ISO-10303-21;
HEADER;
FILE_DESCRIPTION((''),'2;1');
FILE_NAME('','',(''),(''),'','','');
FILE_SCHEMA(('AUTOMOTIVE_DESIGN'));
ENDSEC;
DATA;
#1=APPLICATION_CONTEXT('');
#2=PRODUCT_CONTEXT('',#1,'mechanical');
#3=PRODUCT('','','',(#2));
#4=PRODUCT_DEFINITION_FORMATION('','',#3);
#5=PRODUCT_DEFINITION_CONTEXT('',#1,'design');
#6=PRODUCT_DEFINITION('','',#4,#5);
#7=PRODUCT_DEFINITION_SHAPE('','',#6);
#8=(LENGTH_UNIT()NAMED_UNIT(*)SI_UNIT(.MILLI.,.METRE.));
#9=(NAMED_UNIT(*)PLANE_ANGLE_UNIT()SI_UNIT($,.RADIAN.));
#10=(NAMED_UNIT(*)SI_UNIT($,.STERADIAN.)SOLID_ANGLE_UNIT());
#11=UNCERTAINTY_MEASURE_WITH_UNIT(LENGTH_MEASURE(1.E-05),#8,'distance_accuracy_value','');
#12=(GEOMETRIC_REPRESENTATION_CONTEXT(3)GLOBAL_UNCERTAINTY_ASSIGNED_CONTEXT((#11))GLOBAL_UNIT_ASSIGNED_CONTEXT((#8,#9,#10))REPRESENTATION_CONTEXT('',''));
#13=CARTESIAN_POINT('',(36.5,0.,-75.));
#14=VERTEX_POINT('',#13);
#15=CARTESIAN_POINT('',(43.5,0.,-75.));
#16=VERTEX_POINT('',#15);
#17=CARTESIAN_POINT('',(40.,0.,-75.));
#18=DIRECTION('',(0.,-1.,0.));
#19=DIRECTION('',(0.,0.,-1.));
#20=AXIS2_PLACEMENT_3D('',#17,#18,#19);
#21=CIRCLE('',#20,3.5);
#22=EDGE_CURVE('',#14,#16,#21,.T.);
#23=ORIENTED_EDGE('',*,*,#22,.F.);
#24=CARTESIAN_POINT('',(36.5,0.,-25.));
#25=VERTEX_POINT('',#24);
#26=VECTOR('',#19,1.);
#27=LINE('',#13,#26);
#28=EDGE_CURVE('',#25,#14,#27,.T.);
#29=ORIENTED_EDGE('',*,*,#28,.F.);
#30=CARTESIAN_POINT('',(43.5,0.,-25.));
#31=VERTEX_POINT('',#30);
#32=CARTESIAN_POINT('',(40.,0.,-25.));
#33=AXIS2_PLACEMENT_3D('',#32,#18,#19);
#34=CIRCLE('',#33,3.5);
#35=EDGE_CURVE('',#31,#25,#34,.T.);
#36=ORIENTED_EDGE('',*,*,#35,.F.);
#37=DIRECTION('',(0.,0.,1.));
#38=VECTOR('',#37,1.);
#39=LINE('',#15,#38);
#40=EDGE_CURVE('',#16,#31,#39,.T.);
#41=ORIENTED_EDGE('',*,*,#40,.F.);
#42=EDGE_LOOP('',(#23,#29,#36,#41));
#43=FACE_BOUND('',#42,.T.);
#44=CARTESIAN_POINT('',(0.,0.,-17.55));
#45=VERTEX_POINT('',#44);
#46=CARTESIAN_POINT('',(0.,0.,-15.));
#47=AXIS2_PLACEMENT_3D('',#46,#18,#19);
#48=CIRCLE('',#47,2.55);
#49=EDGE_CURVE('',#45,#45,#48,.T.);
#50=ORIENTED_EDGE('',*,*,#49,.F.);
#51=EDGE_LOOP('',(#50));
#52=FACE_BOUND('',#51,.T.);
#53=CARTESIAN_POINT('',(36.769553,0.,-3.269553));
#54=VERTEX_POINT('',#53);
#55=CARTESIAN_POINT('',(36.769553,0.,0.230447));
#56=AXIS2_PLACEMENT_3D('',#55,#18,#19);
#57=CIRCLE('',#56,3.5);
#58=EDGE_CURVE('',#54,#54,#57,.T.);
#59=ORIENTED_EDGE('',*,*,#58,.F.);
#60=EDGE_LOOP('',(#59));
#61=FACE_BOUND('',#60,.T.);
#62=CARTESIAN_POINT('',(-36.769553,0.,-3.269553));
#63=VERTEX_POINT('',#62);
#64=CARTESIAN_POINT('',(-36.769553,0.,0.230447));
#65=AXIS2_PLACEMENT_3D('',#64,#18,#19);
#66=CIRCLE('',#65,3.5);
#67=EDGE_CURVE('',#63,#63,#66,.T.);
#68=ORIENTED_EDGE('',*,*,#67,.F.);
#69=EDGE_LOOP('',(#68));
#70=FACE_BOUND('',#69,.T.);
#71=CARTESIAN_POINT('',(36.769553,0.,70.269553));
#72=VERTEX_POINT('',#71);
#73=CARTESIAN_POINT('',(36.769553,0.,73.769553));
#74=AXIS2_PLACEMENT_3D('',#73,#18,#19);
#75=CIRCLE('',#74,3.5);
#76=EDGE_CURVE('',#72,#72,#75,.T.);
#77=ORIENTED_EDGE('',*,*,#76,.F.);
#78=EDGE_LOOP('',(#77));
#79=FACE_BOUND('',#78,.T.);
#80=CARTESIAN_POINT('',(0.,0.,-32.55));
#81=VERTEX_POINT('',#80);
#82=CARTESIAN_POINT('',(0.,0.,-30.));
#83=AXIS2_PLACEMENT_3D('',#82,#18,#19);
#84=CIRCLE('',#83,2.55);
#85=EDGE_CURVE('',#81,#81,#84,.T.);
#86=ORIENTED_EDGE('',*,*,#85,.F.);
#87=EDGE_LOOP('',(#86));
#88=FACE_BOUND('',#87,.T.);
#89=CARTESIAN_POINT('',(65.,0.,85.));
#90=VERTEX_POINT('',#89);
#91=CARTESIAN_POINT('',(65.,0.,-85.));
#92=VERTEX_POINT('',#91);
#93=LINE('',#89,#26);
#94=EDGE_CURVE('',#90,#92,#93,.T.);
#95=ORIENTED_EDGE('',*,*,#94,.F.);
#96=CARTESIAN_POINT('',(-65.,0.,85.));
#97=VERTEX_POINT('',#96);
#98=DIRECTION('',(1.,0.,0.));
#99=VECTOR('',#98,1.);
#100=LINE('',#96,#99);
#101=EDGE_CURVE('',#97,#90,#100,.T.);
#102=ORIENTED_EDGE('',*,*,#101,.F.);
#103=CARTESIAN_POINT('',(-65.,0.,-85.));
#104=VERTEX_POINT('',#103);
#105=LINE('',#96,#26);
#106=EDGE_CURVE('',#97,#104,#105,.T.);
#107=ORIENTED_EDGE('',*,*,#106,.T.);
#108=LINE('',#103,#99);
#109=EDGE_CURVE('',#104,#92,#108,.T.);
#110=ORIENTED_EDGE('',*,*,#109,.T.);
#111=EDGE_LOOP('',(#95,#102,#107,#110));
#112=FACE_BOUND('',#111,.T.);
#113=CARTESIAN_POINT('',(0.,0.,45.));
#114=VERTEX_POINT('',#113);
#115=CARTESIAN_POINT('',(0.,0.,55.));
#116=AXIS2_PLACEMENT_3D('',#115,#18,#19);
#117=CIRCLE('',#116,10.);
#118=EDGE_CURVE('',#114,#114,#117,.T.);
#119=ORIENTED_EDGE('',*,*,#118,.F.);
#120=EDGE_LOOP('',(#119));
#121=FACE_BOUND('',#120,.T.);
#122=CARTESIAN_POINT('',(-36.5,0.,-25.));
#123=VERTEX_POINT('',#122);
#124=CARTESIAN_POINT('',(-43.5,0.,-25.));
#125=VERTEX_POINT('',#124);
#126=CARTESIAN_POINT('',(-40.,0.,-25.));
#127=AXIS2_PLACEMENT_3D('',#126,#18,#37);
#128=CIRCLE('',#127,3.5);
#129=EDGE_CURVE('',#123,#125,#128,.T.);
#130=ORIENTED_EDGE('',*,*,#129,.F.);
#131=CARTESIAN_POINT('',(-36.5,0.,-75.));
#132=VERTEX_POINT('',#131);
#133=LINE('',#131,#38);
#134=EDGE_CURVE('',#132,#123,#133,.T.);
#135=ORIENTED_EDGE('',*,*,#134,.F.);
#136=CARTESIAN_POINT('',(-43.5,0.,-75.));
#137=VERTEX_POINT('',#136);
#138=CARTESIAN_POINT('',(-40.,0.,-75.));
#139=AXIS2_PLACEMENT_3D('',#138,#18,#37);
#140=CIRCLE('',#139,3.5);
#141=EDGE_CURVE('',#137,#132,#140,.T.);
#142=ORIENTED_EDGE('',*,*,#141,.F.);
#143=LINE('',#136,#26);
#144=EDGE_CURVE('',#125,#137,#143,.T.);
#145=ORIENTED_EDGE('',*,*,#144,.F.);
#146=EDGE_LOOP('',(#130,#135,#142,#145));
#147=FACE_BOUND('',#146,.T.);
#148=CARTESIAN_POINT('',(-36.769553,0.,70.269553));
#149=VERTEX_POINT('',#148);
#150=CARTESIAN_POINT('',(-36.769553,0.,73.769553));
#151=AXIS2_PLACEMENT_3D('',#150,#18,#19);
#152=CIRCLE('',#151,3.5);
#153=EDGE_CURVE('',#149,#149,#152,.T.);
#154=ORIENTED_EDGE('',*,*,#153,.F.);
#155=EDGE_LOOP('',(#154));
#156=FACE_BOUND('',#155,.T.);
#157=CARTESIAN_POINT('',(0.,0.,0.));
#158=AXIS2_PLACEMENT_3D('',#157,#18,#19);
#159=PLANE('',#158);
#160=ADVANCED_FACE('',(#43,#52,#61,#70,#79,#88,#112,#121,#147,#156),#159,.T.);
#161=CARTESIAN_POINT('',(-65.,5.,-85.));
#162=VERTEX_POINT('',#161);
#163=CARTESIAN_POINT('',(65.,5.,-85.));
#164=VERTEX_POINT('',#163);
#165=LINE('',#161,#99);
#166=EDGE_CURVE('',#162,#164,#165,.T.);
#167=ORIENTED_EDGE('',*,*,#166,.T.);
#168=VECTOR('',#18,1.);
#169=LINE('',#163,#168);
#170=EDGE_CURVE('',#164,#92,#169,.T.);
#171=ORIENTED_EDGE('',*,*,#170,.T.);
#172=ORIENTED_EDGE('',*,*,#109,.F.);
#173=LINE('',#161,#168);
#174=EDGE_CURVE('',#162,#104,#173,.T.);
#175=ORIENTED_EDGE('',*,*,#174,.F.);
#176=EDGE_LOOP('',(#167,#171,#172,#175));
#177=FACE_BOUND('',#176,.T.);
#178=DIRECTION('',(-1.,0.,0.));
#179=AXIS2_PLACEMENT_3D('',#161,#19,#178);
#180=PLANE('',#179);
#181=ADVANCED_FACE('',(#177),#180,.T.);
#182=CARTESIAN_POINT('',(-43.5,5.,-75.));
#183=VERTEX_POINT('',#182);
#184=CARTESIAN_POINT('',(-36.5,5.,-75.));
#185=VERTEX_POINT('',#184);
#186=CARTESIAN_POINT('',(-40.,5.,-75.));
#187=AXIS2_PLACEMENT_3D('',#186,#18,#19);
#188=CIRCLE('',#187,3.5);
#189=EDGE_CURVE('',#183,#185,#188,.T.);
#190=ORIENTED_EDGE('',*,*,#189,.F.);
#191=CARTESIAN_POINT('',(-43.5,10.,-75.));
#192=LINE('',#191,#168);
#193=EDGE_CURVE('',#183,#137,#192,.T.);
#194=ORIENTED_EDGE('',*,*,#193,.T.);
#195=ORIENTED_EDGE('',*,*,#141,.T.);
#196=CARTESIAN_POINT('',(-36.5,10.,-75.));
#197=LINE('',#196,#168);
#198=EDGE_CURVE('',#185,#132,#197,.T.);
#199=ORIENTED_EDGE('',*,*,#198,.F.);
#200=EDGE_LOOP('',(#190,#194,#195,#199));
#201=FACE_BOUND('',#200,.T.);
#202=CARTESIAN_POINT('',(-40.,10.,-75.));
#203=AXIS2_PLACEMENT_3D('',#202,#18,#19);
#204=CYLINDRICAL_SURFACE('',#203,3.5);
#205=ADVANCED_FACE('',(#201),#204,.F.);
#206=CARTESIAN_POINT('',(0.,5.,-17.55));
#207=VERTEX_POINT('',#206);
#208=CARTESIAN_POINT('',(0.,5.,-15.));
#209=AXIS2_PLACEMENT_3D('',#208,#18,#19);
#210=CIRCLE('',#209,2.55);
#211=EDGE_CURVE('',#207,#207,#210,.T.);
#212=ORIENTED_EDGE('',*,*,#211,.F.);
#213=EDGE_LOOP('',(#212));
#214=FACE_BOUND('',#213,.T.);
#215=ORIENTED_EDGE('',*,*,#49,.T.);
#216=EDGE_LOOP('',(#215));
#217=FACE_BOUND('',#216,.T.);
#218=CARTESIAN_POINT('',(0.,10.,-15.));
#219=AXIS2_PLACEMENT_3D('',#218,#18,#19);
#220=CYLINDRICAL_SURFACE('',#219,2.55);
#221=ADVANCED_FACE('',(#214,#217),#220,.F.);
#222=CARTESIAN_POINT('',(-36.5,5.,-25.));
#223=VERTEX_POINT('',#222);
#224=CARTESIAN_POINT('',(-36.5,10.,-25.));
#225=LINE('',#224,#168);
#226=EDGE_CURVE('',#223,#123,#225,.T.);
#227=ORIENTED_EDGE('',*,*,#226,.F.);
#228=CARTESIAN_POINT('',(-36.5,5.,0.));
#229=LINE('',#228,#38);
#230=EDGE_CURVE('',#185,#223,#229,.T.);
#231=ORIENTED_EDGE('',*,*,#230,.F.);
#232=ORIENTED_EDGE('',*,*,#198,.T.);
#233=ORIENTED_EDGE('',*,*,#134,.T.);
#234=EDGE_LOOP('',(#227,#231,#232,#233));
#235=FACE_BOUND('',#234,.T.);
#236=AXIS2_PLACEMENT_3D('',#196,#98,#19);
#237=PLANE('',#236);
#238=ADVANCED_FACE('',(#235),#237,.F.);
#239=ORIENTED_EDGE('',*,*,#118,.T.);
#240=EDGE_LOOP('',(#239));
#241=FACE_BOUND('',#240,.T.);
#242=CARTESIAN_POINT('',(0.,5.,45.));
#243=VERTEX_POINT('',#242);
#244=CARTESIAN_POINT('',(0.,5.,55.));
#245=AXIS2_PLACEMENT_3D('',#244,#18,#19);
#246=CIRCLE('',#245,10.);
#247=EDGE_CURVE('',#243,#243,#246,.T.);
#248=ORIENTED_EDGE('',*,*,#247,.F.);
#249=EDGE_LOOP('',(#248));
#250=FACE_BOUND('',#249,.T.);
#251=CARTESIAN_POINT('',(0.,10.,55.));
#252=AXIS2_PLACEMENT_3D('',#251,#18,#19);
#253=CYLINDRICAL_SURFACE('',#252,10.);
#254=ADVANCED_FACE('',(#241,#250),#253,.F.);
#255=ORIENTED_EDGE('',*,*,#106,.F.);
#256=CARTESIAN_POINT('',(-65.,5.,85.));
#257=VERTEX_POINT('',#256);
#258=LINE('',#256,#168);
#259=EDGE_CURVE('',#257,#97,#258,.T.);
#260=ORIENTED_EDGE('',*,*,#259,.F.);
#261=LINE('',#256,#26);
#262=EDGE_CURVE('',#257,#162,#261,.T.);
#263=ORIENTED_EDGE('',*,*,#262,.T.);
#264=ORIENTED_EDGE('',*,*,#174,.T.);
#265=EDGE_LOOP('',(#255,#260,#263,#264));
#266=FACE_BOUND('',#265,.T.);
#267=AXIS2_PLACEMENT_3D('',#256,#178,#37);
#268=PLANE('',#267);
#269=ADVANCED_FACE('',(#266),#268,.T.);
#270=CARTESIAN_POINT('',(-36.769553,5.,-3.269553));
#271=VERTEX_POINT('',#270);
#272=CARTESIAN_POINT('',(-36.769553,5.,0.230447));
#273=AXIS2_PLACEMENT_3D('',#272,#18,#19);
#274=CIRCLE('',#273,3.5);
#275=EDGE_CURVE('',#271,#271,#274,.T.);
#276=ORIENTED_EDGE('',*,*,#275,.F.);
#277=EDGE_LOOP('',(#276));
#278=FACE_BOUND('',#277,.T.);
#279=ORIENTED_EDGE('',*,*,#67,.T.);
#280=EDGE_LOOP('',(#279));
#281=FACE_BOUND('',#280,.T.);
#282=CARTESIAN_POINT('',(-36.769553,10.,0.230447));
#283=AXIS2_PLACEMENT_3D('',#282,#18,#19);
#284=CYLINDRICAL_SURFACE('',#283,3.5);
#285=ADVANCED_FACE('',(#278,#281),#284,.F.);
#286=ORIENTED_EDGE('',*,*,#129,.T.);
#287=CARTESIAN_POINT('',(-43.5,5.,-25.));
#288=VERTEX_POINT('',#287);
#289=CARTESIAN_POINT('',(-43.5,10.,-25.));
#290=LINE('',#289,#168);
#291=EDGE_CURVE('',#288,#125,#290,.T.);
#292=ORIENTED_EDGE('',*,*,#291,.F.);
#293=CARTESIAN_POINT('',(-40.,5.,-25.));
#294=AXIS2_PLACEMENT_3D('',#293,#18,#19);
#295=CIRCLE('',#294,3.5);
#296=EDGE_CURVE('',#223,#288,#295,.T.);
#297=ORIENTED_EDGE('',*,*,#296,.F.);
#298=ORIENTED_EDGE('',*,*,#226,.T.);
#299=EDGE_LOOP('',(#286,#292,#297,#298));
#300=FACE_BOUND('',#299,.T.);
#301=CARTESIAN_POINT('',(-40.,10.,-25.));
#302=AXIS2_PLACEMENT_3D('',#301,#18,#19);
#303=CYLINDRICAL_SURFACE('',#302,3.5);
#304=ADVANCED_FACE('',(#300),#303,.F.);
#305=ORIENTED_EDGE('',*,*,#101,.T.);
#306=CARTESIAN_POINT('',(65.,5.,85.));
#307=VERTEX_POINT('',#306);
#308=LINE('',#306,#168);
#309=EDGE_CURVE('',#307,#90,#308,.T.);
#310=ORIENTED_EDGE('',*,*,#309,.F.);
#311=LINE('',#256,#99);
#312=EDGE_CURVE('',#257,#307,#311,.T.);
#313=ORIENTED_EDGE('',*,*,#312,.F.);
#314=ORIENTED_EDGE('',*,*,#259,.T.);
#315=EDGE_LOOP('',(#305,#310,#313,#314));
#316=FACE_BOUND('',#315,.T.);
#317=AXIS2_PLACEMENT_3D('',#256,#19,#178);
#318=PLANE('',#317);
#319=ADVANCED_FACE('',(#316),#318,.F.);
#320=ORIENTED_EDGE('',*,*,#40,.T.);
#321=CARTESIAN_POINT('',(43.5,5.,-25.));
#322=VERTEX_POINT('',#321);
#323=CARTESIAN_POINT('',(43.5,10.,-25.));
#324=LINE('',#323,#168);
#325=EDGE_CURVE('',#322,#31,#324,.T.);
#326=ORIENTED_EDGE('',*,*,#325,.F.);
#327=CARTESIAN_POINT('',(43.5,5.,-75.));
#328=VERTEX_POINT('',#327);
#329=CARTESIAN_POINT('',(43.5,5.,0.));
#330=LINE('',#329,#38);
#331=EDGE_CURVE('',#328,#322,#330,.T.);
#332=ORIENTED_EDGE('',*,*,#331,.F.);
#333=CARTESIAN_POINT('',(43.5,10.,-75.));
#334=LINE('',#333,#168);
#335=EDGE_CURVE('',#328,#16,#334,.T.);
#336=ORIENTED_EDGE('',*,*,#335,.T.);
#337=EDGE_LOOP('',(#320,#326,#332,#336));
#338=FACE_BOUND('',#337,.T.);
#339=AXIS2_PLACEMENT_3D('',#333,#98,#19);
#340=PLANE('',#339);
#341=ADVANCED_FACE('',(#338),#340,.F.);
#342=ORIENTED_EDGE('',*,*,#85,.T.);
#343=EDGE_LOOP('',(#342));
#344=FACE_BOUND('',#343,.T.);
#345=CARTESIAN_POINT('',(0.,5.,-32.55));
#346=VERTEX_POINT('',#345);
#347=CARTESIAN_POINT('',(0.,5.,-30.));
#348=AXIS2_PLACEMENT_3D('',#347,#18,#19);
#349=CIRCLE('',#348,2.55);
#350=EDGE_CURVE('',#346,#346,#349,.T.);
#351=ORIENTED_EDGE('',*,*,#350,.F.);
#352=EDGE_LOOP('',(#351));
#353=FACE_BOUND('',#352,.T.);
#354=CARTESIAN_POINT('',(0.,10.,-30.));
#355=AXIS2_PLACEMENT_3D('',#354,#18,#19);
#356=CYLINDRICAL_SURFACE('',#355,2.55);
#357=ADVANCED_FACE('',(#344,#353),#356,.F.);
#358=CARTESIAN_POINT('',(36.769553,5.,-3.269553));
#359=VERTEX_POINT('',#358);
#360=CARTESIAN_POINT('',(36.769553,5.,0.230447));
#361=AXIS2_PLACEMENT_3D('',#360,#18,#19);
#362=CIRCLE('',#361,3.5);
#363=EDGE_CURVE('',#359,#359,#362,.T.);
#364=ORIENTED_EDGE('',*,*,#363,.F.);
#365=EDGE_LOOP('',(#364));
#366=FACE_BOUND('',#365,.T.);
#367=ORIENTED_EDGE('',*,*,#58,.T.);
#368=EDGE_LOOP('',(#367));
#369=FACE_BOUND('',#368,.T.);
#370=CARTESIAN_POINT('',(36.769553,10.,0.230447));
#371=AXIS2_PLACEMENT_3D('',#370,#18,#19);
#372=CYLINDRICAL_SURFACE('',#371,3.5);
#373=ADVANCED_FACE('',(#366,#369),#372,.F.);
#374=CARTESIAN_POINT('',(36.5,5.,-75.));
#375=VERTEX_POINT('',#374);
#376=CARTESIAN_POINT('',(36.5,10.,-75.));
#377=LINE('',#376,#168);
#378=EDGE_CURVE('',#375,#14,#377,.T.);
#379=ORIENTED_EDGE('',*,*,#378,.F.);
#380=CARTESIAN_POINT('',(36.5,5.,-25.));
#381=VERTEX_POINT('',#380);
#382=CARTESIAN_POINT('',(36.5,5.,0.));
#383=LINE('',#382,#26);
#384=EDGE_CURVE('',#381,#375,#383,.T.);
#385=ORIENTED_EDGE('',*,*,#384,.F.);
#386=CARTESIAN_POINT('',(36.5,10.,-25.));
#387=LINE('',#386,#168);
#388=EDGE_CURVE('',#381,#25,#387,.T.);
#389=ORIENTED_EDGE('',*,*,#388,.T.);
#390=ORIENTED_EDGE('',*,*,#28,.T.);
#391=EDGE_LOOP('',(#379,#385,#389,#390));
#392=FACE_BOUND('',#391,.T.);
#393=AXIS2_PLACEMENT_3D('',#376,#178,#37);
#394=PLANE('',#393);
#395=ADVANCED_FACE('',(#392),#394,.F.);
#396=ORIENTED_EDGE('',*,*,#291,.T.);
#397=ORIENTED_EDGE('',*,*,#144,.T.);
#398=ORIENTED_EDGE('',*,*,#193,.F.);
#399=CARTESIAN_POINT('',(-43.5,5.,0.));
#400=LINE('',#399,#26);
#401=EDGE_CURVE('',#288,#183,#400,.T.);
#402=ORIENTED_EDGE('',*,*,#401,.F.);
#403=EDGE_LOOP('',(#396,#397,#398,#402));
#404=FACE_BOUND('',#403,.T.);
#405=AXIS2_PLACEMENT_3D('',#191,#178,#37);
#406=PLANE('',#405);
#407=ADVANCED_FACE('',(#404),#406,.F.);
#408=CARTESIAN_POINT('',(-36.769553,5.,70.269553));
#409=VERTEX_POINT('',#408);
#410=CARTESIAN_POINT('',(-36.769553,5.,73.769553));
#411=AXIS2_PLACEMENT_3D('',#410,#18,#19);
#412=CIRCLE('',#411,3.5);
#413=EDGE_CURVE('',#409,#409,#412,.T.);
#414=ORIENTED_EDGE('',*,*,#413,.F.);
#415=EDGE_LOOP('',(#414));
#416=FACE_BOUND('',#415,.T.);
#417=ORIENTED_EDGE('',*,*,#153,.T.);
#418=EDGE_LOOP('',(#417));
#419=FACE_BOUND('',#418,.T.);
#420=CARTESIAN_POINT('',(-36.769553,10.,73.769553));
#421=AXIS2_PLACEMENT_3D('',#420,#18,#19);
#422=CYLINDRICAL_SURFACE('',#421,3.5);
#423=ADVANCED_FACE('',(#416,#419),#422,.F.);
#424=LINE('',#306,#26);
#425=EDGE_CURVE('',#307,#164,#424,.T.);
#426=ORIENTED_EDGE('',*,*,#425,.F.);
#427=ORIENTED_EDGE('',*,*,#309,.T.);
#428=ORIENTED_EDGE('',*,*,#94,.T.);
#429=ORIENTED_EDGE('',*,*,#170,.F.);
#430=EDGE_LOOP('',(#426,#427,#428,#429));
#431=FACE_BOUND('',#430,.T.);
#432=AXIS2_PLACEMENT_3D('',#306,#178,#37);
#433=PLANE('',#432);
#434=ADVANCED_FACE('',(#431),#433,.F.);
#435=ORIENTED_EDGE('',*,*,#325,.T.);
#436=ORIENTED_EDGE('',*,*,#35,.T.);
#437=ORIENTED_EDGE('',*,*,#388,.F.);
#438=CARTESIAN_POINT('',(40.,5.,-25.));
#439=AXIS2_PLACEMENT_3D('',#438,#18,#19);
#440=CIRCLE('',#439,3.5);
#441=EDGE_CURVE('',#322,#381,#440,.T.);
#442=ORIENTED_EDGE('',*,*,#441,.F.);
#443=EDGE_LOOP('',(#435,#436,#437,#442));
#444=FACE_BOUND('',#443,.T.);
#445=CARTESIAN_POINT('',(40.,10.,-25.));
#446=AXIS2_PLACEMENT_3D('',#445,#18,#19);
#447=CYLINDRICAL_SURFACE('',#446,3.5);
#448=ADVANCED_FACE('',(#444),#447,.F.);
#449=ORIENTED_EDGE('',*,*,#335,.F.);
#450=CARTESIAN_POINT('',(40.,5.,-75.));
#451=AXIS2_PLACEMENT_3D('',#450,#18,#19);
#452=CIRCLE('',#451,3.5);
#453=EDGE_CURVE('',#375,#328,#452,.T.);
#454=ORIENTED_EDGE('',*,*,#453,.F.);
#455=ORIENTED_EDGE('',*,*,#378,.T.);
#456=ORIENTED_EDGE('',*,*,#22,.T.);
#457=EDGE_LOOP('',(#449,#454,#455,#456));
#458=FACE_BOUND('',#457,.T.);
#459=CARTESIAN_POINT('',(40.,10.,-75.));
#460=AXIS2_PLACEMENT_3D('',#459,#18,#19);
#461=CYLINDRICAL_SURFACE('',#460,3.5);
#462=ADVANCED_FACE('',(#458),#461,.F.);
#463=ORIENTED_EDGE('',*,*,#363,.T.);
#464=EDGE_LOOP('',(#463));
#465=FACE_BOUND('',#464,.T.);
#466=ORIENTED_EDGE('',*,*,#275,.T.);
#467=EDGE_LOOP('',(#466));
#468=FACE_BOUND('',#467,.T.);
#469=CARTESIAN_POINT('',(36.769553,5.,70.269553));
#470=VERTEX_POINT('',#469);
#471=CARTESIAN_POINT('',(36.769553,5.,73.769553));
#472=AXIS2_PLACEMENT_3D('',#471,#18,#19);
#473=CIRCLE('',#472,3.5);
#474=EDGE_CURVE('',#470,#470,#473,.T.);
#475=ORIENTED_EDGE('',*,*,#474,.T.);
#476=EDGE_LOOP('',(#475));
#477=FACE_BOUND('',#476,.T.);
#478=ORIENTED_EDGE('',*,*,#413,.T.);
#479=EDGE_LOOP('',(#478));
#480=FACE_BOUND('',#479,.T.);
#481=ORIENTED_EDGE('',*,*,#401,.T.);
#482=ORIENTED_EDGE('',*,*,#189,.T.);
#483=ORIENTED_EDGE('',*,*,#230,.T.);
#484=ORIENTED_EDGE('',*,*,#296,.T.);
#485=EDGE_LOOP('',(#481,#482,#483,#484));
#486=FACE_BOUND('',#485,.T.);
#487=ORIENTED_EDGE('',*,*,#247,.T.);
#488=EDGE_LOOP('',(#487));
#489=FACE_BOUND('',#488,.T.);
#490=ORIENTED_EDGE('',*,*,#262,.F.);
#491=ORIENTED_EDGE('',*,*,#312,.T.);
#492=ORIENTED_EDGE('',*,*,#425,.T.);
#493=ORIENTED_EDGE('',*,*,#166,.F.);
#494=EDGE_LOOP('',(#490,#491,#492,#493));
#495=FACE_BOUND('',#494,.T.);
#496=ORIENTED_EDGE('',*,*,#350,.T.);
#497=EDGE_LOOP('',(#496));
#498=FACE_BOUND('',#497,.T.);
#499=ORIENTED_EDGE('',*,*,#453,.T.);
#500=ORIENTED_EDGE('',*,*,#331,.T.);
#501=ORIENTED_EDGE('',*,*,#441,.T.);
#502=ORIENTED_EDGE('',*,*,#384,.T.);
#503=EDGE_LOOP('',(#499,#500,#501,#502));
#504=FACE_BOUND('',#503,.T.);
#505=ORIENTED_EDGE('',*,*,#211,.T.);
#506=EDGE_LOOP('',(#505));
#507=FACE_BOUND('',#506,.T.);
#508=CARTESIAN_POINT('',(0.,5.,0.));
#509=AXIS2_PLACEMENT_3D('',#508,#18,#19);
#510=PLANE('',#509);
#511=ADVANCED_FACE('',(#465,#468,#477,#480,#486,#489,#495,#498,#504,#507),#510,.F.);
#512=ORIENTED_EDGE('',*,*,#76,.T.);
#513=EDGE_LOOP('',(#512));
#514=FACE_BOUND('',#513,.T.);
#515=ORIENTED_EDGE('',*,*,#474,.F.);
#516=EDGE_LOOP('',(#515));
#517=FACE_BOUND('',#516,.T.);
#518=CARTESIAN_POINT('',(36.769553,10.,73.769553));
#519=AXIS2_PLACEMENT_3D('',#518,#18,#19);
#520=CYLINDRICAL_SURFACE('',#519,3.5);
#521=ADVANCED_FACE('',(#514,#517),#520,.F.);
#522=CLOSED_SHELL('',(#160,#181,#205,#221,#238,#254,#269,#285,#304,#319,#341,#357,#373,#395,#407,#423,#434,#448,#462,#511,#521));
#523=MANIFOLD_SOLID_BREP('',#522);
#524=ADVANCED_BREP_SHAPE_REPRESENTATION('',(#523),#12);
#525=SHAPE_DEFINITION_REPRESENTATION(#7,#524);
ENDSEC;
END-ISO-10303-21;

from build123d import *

# Parameters (mm, degrees)
SKETCH_3_W          = 130
SKETCH_3_H          = 170
EXTRUDE_1_DEPTH     = 5
SKETCH_4_R          = 10
CUT_EXTRUDE_1_DEPTH = 10
SKETCH_5_R          = 3.5
SKETCH_5_R_2        = 2.55
CUT_EXTRUDE_2_DEPTH = 10


with BuildPart() as part:
    # 草图3 → 凸台-拉伸1 (new body)
    with BuildSketch(Plane(origin=(0, 0, 0), x_dir=(1, 0, 0), z_dir=(0, 1, 0))):
        Rectangle(SKETCH_3_W, SKETCH_3_H)
    extrude(amount=EXTRUDE_1_DEPTH)

    # 草图4 → 切除-拉伸1 (cut)
    with BuildSketch(Plane.XZ):
        with Locations((0, 55)):
            Circle(SKETCH_4_R)
    extrude(amount=-CUT_EXTRUDE_1_DEPTH, mode=Mode.SUBTRACT)

    # 草图5 → 切除-拉伸2 (cut)
    with BuildSketch(Plane.XZ):
        with Locations((36.769552622, 0.230447378)):
            Circle(SKETCH_5_R)
        with Locations((-36.769552622, 0.230447378)):
            Circle(SKETCH_5_R)
        with Locations((-36.769552622, 73.769552622)):
            Circle(SKETCH_5_R)
        with Locations((36.769552622, 73.769552622)):
            Circle(SKETCH_5_R)
        with Locations((0, -30)):
            Circle(SKETCH_5_R_2)
        with Locations((0, -15)):
            Circle(SKETCH_5_R_2)
        with BuildLine():
            Line((36.5, -75), (36.5, -25))
            ThreePointArc((36.5, -25), (40, -21.5), (43.5, -25))
            Line((43.5, -25), (43.5, -75))
            ThreePointArc((43.5, -75), (40, -78.5), (36.5, -75))
        make_face()
        with BuildLine():
            Line((-36.5, -75), (-36.5, -25))
            ThreePointArc((-36.5, -25), (-40, -21.5), (-43.5, -25))
            Line((-43.5, -25), (-43.5, -75))
            ThreePointArc((-43.5, -75), (-40, -78.5), (-36.5, -75))
        make_face()
    extrude(amount=-CUT_EXTRUDE_2_DEPTH, mode=Mode.SUBTRACT)


solid = part.part
